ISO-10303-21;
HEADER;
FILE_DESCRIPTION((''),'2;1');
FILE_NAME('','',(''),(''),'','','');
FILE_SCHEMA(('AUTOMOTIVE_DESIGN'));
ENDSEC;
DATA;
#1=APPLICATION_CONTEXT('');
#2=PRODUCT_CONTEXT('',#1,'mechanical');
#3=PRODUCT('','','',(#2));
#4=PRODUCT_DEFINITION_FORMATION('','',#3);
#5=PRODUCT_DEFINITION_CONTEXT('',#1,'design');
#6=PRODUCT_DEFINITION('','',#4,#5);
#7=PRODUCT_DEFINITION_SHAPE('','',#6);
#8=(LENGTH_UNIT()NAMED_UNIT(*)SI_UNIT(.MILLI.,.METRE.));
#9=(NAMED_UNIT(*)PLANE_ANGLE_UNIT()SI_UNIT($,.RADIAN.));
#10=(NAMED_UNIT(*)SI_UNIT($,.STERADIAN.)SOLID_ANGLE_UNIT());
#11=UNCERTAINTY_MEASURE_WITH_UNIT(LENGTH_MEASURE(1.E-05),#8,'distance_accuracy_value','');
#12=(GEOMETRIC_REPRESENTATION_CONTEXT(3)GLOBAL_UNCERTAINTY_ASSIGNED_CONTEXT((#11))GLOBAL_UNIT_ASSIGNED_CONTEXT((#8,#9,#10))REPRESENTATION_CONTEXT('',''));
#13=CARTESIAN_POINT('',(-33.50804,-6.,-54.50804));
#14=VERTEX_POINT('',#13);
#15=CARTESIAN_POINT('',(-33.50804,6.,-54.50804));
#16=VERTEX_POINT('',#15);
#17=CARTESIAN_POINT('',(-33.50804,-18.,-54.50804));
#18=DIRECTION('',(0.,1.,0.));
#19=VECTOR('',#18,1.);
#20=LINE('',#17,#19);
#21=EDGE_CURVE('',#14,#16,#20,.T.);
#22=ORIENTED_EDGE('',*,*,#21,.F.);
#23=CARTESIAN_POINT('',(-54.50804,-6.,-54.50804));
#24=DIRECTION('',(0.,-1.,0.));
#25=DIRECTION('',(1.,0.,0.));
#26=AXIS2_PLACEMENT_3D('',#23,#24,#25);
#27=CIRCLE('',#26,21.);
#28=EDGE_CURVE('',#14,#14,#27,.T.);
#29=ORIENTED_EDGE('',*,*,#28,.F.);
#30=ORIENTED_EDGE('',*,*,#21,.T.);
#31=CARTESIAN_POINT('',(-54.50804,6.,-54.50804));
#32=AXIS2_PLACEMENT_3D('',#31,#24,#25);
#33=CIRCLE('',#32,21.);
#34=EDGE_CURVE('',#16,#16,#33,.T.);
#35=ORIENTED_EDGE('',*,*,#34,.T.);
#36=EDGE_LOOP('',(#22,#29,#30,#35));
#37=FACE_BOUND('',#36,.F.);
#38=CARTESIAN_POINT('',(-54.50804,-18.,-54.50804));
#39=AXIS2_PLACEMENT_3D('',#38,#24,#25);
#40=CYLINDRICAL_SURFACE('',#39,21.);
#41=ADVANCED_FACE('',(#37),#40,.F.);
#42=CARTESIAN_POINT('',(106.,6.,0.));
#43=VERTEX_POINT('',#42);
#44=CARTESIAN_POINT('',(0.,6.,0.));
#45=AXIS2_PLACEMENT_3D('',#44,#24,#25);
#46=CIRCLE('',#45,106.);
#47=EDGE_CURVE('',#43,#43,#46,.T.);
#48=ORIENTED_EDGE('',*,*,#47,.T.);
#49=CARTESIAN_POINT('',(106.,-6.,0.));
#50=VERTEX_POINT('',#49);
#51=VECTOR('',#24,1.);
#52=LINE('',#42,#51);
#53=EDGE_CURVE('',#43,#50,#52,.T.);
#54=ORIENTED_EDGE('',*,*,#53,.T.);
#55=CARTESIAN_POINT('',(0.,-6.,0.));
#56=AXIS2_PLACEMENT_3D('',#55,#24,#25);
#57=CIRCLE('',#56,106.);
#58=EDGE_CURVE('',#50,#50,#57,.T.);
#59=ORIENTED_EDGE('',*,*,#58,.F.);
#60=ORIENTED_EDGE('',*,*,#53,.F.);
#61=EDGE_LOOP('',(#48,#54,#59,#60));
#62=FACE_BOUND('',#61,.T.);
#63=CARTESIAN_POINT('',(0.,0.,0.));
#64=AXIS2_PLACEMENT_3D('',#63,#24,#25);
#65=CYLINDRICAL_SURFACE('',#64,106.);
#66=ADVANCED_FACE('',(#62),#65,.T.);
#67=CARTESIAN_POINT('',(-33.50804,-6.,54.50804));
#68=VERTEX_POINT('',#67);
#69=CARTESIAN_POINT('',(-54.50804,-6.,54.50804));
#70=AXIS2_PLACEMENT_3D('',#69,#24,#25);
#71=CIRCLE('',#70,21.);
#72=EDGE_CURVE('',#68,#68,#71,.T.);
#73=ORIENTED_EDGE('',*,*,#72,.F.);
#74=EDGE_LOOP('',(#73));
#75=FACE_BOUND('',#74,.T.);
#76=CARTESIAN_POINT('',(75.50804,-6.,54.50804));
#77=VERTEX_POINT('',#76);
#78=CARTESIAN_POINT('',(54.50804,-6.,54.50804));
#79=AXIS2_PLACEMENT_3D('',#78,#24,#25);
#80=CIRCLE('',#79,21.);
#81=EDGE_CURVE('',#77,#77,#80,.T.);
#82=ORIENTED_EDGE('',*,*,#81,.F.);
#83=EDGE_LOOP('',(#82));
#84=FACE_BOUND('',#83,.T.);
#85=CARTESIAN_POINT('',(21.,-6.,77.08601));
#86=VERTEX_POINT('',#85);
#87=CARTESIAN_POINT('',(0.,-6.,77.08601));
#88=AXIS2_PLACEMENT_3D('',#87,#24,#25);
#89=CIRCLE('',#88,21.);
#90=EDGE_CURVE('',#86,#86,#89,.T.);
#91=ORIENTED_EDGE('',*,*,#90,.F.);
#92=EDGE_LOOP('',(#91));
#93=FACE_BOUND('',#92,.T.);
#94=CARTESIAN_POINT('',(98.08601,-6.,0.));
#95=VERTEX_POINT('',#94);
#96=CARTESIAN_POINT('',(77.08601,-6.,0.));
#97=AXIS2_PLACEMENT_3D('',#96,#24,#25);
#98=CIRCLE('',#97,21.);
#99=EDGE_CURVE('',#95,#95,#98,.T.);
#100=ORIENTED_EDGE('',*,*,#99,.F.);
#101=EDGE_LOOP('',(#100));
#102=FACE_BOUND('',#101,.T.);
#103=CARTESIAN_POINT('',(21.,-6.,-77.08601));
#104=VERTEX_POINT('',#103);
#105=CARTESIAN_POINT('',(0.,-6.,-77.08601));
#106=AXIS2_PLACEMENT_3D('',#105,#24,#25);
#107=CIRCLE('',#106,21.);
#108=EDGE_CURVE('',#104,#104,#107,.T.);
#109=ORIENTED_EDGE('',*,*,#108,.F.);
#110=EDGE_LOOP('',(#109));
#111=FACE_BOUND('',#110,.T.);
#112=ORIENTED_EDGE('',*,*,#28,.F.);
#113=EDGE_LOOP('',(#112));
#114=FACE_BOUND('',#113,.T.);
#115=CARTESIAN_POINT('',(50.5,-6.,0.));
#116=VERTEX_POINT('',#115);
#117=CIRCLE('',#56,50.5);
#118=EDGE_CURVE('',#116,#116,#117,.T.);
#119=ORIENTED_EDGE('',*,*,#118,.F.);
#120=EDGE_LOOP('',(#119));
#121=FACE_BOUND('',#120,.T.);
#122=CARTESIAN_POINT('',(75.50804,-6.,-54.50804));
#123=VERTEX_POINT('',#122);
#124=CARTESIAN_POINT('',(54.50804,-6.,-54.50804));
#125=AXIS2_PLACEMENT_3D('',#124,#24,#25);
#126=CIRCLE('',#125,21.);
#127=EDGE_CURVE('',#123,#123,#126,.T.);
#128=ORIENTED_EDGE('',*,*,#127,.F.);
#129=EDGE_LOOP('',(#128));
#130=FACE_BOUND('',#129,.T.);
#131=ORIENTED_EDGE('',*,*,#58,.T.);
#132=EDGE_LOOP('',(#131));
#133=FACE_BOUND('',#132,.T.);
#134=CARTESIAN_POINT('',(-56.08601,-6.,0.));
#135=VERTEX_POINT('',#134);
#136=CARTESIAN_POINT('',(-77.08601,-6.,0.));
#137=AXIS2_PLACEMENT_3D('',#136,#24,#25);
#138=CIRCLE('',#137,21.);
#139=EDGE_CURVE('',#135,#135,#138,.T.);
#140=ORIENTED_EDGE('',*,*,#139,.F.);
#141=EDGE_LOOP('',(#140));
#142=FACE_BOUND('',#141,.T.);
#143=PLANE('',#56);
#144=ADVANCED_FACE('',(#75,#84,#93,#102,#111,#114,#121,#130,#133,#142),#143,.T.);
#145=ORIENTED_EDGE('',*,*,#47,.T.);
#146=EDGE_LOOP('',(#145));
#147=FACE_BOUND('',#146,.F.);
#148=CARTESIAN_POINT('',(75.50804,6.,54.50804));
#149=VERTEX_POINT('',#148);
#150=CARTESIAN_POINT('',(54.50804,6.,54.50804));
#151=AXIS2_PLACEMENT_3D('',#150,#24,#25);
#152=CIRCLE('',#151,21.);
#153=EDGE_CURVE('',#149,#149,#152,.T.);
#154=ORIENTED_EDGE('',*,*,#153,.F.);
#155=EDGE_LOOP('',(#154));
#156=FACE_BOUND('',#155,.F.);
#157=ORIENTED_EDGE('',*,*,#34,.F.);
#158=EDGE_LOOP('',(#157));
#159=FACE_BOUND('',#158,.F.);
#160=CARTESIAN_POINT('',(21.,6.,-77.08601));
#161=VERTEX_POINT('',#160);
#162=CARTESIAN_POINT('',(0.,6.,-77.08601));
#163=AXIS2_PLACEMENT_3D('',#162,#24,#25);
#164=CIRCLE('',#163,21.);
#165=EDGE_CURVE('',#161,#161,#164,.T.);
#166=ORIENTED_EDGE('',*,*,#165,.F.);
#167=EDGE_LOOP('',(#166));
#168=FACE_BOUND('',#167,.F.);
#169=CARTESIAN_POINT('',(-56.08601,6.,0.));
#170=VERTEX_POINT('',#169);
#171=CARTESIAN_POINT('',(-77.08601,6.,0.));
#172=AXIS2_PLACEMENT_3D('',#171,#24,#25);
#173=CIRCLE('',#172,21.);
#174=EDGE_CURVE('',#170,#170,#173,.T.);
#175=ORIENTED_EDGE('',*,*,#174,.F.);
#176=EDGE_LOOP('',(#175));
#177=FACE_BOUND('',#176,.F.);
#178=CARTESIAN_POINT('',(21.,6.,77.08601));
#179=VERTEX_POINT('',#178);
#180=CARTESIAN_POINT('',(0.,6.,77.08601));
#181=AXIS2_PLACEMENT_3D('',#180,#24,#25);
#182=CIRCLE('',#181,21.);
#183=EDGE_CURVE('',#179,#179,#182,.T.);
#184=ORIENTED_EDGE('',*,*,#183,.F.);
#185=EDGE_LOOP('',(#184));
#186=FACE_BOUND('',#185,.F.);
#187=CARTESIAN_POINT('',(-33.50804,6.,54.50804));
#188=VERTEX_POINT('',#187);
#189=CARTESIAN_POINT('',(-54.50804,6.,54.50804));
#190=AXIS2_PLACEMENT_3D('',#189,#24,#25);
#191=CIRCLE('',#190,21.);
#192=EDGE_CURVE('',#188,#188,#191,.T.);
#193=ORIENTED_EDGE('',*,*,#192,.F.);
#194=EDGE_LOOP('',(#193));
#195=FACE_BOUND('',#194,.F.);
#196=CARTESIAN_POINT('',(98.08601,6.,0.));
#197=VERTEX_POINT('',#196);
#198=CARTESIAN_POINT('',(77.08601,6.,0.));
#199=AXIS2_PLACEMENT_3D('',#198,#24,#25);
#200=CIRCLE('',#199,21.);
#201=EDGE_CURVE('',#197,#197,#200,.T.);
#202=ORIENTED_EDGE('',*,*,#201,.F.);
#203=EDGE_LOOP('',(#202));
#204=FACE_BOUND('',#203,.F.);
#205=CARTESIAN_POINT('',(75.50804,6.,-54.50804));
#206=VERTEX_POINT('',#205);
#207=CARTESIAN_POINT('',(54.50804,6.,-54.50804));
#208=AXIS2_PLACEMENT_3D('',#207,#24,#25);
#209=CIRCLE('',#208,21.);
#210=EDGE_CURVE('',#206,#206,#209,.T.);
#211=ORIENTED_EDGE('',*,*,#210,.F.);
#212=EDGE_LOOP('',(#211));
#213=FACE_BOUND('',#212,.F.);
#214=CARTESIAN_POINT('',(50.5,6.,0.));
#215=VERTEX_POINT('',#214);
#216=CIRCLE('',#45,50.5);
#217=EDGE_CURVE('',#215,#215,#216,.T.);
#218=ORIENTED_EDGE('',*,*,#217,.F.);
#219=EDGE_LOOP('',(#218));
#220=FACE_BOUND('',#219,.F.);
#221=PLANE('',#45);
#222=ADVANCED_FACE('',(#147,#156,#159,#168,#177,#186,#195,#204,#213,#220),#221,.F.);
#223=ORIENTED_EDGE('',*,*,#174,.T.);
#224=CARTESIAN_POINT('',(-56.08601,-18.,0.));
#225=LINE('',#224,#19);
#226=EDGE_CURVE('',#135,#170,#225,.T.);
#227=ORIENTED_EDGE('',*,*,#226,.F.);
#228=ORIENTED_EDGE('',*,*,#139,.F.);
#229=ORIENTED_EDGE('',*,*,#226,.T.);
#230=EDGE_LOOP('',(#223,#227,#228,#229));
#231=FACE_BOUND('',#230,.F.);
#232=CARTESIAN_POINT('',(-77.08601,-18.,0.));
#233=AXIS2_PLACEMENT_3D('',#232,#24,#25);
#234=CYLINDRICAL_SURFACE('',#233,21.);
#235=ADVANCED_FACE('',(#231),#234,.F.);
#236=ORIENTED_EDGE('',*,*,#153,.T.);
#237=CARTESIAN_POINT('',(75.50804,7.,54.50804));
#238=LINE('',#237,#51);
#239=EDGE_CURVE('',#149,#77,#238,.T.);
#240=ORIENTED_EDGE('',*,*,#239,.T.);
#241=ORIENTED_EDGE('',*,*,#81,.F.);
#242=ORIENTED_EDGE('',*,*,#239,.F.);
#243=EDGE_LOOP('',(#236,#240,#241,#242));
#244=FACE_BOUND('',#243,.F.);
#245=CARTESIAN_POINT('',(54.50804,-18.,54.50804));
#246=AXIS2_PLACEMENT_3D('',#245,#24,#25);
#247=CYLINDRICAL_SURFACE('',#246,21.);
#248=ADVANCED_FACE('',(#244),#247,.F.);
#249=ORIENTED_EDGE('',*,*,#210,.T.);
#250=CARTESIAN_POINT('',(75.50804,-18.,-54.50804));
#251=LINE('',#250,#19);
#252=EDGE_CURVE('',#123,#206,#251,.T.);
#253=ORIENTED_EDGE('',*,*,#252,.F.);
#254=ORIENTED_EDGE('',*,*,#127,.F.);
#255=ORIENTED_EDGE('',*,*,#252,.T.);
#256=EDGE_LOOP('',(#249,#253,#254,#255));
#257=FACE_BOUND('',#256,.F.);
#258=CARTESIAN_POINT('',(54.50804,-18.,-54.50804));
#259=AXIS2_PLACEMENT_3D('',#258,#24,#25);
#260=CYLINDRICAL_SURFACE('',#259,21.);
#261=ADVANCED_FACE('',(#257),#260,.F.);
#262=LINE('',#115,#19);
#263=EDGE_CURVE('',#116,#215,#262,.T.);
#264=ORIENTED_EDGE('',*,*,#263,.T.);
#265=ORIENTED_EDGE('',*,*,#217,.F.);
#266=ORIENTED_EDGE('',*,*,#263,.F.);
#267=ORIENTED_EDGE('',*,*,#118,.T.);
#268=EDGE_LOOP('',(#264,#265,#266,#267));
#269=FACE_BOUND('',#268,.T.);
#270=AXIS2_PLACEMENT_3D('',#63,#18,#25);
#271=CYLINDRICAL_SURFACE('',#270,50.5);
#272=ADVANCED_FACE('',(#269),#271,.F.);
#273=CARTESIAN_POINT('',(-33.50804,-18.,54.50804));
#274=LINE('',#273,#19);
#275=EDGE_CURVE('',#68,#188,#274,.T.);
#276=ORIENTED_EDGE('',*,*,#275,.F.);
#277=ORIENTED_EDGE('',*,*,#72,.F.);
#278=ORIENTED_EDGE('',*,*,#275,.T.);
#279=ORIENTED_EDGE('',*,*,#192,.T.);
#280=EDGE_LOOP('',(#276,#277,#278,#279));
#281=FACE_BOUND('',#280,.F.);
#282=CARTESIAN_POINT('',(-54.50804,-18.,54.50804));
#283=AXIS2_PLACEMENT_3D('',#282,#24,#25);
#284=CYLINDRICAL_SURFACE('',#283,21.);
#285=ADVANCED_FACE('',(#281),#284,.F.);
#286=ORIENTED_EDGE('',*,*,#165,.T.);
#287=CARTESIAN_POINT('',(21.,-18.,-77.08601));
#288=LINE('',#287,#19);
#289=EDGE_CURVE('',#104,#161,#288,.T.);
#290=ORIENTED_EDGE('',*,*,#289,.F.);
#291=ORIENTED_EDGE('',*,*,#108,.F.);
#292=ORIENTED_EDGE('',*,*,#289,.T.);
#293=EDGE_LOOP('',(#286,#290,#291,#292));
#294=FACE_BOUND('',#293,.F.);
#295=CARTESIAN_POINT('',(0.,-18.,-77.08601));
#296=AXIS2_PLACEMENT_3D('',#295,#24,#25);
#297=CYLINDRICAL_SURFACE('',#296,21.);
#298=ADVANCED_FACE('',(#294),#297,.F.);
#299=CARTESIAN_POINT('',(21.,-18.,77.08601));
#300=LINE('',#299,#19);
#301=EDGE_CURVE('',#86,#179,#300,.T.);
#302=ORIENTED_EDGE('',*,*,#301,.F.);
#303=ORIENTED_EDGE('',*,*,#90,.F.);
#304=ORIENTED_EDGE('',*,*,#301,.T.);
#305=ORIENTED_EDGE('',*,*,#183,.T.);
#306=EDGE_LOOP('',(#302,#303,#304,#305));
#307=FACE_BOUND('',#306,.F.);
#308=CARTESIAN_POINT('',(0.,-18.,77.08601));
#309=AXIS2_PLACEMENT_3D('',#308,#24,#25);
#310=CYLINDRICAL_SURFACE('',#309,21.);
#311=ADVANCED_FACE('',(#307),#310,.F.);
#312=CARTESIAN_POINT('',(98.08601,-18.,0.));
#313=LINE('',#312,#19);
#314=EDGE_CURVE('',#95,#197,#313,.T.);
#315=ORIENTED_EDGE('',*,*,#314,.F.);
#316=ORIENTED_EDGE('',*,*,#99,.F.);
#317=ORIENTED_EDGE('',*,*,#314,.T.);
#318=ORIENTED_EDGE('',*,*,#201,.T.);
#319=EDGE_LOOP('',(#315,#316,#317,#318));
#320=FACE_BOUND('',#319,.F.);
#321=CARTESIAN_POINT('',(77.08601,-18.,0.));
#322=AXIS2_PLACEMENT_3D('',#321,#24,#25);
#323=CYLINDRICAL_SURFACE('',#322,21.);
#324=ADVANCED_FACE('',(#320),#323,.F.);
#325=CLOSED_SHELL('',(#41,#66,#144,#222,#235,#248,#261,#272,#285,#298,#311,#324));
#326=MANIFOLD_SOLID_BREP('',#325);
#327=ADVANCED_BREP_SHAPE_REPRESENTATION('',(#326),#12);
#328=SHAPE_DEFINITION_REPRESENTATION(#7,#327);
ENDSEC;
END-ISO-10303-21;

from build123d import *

# Parameters (mm, degrees)
F0_R     = 106
F0_R_2   = 50.5
F1_DEPTH = 6
F2_R     = 21
F3_DEPTH = 12
F4_DEPTH = 25


with BuildPart() as f1:
    # F0 (on Front) → F1 (new body, symmetric)
    with BuildSketch(Plane.XZ):
        Circle(F0_R)
        Circle(F0_R_2, mode=Mode.SUBTRACT)
    extrude(amount=F1_DEPTH, both=True)

    # F2 (on face) → F3 (join)
    with BuildSketch(Plane.XZ.offset(6)):
        with Locations((0, 77.0860096719)):
            Circle(F2_R)
        with Locations((54.5080401736, 54.5080401736)):
            Circle(F2_R)
        with Locations((77.0860096719, 0)):
            Circle(F2_R)
        with Locations((54.5080401736, -54.5080401736)):
            Circle(F2_R)
        with Locations((0, -77.0860096719)):
            Circle(F2_R)
        with Locations((-54.5080401736, -54.5080401736)):
            Circle(F2_R)
        with Locations((-77.0860096719, 0)):
            Circle(F2_R)
        with Locations((-54.5080401736, 54.5080401736)):
            Circle(F2_R)
    extrude(amount=F3_DEPTH)

    # F4 (cut, symmetric): faces of the model
    f4_faces = [f1.faces().sort_by_distance(p)[0] for p in [
        (-77.0860096719, -18, 0),
        (-54.5080401736, -18, 54.5080401736),
        (77.0860096719, -18, 0),
        (54.5080401736, -18, -54.5080401736),
        (0, -18, -77.0860096719),
        (-54.5080401736, -18, -54.5080401736),
        (0, -18, 77.0860096719),
        (54.5080401736, -18, 54.5080401736),
    ]]
    extrude(f4_faces, amount=F4_DEPTH, both=True, mode=Mode.SUBTRACT)


solid = f1.part
